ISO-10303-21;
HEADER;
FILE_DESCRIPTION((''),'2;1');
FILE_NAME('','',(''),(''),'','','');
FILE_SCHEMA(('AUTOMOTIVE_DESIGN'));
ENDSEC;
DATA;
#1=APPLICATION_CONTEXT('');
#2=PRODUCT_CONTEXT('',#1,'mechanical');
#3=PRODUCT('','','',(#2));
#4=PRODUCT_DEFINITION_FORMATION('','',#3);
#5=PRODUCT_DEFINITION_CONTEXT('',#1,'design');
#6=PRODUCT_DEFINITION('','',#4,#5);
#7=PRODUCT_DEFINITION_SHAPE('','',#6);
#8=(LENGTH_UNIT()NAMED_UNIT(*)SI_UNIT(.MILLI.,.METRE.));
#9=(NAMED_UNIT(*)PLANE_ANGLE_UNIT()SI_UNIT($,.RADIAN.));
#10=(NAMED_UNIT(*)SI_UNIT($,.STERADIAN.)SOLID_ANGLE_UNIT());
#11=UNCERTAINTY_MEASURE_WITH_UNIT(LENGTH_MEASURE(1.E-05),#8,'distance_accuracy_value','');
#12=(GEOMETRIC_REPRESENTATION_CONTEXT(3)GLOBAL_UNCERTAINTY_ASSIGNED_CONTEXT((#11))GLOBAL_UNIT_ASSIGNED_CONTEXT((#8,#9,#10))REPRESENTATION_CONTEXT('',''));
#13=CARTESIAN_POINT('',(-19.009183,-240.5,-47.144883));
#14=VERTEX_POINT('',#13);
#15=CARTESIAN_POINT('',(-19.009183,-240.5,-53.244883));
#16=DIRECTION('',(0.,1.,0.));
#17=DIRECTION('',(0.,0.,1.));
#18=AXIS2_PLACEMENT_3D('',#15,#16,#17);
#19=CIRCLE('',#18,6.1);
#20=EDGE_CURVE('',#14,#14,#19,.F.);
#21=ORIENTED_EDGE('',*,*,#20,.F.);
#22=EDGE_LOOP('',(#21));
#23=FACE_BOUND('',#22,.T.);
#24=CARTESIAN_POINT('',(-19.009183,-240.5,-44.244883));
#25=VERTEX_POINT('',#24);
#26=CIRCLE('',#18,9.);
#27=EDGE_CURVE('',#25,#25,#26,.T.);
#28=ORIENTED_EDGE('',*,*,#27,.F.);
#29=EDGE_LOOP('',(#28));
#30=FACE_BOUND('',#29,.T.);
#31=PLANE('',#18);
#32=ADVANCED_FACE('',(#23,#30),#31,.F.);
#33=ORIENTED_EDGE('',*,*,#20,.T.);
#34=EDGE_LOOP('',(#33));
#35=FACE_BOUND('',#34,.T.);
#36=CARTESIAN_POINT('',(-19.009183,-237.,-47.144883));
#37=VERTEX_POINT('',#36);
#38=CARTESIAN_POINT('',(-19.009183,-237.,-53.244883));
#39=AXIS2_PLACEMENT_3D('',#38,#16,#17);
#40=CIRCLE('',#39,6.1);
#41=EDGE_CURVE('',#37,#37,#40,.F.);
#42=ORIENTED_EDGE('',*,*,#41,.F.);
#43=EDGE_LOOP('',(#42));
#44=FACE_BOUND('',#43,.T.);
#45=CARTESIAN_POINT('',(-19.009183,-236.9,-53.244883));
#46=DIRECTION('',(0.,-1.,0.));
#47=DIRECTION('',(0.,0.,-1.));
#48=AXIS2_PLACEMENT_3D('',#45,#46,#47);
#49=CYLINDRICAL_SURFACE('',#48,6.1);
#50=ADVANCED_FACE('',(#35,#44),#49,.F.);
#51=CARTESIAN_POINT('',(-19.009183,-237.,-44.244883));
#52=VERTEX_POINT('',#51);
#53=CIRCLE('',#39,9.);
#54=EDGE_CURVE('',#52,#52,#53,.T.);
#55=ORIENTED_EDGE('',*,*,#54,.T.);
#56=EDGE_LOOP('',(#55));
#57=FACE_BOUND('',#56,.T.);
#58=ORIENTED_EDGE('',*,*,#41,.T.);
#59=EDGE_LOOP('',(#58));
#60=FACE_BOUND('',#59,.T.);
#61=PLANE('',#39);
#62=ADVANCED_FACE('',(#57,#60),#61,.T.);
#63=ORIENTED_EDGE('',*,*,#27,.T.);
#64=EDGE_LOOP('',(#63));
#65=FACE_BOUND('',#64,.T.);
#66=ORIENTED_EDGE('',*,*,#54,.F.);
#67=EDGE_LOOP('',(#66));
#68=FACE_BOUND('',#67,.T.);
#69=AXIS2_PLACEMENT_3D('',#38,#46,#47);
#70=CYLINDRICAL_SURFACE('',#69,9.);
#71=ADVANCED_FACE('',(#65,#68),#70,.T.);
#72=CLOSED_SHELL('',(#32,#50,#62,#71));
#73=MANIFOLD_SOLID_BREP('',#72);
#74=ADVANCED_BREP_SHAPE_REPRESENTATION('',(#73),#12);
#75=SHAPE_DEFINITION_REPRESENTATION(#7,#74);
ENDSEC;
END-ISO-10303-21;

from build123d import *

# Parameters (mm, degrees)
SPACER_STOCK_SKETCH_R           = 9
SPACER_STOCK_DEPTH              = 3.5
AXLE_RUNNING_CLEARANCE_SKETCH_R = 6.1
AXLE_RUNNING_CLEARANCE_DEPTH    = 3.7


with BuildPart() as part:
    # Spacer stock sketch → Spacer stock (new body)
    with BuildSketch(Plane(origin=(0, -240.5, 0), x_dir=(1, 0, 0), z_dir=(0, 1, 0))):
        with Locations(Location((-19.009182883, 53.244882879, 0), (0, 0, 270))):
            Circle(SPACER_STOCK_SKETCH_R)
    extrude(amount=SPACER_STOCK_DEPTH)

    # Axle running clearance sketch → Axle running clearance (cut)
    with BuildSketch(Plane(origin=(0, -240.6, 0), x_dir=(1, 0, 0), z_dir=(0, 1, 0))):
        with Locations(Location((-19.009182883, 53.244882879, 0), (0, 0, 270))):
            Circle(AXLE_RUNNING_CLEARANCE_SKETCH_R)
    extrude(amount=AXLE_RUNNING_CLEARANCE_DEPTH, mode=Mode.SUBTRACT)


solid = part.part
